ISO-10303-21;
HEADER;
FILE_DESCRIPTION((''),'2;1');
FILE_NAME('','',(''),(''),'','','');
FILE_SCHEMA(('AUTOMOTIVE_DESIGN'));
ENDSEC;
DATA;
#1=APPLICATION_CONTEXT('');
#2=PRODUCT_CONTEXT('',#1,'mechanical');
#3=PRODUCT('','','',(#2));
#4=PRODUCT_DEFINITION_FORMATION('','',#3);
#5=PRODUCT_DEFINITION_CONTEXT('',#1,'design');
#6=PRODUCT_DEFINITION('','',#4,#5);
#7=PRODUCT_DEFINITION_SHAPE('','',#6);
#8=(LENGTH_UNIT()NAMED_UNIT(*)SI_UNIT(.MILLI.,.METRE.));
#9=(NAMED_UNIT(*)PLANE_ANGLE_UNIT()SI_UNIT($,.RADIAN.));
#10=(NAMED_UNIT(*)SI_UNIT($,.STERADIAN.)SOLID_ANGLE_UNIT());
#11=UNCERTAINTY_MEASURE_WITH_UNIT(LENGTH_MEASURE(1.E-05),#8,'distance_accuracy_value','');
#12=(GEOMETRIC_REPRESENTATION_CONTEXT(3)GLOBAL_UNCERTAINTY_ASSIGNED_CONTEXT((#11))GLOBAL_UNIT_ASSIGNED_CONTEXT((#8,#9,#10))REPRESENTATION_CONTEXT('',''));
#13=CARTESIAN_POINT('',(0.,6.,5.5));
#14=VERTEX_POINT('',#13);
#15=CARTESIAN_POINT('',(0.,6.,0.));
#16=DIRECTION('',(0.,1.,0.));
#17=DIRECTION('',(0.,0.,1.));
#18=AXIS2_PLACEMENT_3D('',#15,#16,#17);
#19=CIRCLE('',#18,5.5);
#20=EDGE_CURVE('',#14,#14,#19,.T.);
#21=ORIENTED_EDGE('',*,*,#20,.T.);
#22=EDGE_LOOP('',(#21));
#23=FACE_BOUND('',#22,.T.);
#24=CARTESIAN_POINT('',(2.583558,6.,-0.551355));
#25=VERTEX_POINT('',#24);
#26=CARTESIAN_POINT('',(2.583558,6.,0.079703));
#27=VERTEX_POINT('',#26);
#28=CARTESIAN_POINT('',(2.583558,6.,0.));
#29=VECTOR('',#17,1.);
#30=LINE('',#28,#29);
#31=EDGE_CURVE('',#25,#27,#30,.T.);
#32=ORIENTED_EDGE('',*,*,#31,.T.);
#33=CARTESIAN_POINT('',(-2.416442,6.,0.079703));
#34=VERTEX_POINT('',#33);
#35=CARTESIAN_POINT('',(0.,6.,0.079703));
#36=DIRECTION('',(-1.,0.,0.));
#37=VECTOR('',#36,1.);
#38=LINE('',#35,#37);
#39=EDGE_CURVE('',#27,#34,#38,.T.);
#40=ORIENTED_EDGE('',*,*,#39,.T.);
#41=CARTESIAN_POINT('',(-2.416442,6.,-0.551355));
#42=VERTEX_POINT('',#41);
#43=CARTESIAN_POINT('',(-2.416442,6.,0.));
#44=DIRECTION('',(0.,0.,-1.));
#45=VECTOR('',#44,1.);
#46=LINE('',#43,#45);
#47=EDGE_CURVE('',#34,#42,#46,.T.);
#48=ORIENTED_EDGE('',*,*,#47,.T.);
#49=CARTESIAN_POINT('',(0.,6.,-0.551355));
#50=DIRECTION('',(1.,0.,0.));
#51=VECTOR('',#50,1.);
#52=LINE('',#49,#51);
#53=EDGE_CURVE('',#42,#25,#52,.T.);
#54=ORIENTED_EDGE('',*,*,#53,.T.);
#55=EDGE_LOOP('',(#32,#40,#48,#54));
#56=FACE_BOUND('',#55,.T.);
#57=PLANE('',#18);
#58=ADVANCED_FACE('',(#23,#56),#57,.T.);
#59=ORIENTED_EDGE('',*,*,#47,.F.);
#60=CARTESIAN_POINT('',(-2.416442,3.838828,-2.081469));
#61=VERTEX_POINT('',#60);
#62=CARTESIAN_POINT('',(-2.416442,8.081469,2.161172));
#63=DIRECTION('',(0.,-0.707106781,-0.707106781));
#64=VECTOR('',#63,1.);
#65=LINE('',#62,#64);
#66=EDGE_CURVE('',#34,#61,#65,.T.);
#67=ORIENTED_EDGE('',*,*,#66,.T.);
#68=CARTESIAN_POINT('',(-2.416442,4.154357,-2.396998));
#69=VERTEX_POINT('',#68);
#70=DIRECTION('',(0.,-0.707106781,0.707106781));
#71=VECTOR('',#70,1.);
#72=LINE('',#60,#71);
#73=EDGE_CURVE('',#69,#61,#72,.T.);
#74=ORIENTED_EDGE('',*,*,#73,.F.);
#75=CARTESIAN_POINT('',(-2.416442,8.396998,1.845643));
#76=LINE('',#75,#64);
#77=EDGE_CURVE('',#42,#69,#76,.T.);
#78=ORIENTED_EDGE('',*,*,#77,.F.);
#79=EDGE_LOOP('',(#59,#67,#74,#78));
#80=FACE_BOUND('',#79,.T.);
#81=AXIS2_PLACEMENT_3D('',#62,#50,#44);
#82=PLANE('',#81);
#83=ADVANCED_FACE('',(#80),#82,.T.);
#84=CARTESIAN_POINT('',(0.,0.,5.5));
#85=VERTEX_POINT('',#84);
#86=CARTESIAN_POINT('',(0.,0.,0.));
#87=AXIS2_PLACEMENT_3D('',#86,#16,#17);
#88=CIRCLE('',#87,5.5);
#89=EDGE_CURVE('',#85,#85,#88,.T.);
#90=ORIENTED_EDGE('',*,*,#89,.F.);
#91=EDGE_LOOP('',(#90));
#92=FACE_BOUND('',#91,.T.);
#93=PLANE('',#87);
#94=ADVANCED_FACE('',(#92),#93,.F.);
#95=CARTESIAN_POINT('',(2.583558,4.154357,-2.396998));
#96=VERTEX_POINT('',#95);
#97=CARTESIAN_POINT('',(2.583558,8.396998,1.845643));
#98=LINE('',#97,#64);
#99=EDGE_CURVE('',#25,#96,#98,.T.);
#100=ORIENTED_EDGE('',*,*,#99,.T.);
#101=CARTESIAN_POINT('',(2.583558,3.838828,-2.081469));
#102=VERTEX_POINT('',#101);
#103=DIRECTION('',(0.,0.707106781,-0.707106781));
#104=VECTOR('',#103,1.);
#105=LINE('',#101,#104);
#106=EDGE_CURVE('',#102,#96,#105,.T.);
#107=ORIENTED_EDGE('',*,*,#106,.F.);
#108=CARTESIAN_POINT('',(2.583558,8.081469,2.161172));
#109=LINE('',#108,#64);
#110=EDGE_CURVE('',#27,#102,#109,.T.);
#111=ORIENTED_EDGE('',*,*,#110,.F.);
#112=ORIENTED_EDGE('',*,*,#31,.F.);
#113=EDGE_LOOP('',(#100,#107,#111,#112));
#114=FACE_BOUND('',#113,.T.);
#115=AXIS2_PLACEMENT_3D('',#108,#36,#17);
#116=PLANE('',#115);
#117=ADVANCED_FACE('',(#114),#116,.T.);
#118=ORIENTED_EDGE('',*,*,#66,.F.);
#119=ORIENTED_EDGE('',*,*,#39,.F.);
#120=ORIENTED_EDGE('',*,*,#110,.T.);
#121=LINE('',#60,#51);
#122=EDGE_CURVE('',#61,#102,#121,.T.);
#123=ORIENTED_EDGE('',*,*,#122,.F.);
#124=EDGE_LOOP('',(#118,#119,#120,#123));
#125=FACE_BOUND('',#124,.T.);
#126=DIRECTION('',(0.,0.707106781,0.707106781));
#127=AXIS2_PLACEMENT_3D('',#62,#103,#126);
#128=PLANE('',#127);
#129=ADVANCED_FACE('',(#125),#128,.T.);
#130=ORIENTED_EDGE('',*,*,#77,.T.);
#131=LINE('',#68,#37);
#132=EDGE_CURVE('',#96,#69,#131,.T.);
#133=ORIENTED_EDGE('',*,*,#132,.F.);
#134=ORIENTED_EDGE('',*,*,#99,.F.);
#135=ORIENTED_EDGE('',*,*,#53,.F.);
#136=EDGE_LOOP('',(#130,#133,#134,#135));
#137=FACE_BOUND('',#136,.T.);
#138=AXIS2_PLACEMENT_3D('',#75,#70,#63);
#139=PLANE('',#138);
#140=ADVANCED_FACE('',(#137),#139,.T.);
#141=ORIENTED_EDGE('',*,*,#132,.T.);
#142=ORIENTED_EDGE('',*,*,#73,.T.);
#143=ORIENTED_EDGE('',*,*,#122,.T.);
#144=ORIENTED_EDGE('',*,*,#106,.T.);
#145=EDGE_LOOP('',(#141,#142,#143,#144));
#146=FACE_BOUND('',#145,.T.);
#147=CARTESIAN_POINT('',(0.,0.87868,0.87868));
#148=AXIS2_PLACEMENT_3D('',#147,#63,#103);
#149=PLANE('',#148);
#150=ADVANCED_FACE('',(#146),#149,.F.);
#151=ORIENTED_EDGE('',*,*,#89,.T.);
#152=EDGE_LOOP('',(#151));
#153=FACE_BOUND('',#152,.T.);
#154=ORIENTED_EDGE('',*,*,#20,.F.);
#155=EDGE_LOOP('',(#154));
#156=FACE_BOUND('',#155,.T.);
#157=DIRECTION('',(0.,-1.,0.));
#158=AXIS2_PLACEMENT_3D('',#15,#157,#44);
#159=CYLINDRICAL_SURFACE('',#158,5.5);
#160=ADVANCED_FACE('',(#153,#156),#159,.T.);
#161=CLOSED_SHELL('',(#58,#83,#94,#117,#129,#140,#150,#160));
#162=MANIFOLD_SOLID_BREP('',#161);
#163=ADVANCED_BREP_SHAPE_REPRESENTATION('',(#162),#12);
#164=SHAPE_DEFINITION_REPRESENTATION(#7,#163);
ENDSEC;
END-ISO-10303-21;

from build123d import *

# Parameters (mm, degrees)
SKETCH1_R               = 5.5
BOSS_EXTRUDE1_DEPTH     = 6
CUT_EXTRUDE1_DEPTH      = 3
CUT_EXTRUDE1_DEPTH_BACK = 3
SKETCH3_W               = 5
SKETCH3_H               = 0.446225232


with BuildPart() as part:
    # Sketch1 → Boss-Extrude1 (new body)
    with BuildSketch(Plane(origin=(0, 0, 0), x_dir=(1, 0, 0), z_dir=(0, 1, 0))):
        Circle(SKETCH1_R)
    extrude(amount=BOSS_EXTRUDE1_DEPTH)

    # Sketch3 → Cut-Extrude1 (cut, two sides: drawn at the far end of the back side and taken through both)
    with BuildSketch(Plane(origin=(0, 3, 3), x_dir=(1, 0, 0), z_dir=(0, 0.7071067811865464, 0.7071067811865488)).offset(-CUT_EXTRUDE1_DEPTH_BACK)):
        with Locations((0.083557951, 4.409395003)):
            Rectangle(SKETCH3_W, SKETCH3_H)
    extrude(amount=CUT_EXTRUDE1_DEPTH + CUT_EXTRUDE1_DEPTH_BACK, mode=Mode.SUBTRACT)


solid = part.part
